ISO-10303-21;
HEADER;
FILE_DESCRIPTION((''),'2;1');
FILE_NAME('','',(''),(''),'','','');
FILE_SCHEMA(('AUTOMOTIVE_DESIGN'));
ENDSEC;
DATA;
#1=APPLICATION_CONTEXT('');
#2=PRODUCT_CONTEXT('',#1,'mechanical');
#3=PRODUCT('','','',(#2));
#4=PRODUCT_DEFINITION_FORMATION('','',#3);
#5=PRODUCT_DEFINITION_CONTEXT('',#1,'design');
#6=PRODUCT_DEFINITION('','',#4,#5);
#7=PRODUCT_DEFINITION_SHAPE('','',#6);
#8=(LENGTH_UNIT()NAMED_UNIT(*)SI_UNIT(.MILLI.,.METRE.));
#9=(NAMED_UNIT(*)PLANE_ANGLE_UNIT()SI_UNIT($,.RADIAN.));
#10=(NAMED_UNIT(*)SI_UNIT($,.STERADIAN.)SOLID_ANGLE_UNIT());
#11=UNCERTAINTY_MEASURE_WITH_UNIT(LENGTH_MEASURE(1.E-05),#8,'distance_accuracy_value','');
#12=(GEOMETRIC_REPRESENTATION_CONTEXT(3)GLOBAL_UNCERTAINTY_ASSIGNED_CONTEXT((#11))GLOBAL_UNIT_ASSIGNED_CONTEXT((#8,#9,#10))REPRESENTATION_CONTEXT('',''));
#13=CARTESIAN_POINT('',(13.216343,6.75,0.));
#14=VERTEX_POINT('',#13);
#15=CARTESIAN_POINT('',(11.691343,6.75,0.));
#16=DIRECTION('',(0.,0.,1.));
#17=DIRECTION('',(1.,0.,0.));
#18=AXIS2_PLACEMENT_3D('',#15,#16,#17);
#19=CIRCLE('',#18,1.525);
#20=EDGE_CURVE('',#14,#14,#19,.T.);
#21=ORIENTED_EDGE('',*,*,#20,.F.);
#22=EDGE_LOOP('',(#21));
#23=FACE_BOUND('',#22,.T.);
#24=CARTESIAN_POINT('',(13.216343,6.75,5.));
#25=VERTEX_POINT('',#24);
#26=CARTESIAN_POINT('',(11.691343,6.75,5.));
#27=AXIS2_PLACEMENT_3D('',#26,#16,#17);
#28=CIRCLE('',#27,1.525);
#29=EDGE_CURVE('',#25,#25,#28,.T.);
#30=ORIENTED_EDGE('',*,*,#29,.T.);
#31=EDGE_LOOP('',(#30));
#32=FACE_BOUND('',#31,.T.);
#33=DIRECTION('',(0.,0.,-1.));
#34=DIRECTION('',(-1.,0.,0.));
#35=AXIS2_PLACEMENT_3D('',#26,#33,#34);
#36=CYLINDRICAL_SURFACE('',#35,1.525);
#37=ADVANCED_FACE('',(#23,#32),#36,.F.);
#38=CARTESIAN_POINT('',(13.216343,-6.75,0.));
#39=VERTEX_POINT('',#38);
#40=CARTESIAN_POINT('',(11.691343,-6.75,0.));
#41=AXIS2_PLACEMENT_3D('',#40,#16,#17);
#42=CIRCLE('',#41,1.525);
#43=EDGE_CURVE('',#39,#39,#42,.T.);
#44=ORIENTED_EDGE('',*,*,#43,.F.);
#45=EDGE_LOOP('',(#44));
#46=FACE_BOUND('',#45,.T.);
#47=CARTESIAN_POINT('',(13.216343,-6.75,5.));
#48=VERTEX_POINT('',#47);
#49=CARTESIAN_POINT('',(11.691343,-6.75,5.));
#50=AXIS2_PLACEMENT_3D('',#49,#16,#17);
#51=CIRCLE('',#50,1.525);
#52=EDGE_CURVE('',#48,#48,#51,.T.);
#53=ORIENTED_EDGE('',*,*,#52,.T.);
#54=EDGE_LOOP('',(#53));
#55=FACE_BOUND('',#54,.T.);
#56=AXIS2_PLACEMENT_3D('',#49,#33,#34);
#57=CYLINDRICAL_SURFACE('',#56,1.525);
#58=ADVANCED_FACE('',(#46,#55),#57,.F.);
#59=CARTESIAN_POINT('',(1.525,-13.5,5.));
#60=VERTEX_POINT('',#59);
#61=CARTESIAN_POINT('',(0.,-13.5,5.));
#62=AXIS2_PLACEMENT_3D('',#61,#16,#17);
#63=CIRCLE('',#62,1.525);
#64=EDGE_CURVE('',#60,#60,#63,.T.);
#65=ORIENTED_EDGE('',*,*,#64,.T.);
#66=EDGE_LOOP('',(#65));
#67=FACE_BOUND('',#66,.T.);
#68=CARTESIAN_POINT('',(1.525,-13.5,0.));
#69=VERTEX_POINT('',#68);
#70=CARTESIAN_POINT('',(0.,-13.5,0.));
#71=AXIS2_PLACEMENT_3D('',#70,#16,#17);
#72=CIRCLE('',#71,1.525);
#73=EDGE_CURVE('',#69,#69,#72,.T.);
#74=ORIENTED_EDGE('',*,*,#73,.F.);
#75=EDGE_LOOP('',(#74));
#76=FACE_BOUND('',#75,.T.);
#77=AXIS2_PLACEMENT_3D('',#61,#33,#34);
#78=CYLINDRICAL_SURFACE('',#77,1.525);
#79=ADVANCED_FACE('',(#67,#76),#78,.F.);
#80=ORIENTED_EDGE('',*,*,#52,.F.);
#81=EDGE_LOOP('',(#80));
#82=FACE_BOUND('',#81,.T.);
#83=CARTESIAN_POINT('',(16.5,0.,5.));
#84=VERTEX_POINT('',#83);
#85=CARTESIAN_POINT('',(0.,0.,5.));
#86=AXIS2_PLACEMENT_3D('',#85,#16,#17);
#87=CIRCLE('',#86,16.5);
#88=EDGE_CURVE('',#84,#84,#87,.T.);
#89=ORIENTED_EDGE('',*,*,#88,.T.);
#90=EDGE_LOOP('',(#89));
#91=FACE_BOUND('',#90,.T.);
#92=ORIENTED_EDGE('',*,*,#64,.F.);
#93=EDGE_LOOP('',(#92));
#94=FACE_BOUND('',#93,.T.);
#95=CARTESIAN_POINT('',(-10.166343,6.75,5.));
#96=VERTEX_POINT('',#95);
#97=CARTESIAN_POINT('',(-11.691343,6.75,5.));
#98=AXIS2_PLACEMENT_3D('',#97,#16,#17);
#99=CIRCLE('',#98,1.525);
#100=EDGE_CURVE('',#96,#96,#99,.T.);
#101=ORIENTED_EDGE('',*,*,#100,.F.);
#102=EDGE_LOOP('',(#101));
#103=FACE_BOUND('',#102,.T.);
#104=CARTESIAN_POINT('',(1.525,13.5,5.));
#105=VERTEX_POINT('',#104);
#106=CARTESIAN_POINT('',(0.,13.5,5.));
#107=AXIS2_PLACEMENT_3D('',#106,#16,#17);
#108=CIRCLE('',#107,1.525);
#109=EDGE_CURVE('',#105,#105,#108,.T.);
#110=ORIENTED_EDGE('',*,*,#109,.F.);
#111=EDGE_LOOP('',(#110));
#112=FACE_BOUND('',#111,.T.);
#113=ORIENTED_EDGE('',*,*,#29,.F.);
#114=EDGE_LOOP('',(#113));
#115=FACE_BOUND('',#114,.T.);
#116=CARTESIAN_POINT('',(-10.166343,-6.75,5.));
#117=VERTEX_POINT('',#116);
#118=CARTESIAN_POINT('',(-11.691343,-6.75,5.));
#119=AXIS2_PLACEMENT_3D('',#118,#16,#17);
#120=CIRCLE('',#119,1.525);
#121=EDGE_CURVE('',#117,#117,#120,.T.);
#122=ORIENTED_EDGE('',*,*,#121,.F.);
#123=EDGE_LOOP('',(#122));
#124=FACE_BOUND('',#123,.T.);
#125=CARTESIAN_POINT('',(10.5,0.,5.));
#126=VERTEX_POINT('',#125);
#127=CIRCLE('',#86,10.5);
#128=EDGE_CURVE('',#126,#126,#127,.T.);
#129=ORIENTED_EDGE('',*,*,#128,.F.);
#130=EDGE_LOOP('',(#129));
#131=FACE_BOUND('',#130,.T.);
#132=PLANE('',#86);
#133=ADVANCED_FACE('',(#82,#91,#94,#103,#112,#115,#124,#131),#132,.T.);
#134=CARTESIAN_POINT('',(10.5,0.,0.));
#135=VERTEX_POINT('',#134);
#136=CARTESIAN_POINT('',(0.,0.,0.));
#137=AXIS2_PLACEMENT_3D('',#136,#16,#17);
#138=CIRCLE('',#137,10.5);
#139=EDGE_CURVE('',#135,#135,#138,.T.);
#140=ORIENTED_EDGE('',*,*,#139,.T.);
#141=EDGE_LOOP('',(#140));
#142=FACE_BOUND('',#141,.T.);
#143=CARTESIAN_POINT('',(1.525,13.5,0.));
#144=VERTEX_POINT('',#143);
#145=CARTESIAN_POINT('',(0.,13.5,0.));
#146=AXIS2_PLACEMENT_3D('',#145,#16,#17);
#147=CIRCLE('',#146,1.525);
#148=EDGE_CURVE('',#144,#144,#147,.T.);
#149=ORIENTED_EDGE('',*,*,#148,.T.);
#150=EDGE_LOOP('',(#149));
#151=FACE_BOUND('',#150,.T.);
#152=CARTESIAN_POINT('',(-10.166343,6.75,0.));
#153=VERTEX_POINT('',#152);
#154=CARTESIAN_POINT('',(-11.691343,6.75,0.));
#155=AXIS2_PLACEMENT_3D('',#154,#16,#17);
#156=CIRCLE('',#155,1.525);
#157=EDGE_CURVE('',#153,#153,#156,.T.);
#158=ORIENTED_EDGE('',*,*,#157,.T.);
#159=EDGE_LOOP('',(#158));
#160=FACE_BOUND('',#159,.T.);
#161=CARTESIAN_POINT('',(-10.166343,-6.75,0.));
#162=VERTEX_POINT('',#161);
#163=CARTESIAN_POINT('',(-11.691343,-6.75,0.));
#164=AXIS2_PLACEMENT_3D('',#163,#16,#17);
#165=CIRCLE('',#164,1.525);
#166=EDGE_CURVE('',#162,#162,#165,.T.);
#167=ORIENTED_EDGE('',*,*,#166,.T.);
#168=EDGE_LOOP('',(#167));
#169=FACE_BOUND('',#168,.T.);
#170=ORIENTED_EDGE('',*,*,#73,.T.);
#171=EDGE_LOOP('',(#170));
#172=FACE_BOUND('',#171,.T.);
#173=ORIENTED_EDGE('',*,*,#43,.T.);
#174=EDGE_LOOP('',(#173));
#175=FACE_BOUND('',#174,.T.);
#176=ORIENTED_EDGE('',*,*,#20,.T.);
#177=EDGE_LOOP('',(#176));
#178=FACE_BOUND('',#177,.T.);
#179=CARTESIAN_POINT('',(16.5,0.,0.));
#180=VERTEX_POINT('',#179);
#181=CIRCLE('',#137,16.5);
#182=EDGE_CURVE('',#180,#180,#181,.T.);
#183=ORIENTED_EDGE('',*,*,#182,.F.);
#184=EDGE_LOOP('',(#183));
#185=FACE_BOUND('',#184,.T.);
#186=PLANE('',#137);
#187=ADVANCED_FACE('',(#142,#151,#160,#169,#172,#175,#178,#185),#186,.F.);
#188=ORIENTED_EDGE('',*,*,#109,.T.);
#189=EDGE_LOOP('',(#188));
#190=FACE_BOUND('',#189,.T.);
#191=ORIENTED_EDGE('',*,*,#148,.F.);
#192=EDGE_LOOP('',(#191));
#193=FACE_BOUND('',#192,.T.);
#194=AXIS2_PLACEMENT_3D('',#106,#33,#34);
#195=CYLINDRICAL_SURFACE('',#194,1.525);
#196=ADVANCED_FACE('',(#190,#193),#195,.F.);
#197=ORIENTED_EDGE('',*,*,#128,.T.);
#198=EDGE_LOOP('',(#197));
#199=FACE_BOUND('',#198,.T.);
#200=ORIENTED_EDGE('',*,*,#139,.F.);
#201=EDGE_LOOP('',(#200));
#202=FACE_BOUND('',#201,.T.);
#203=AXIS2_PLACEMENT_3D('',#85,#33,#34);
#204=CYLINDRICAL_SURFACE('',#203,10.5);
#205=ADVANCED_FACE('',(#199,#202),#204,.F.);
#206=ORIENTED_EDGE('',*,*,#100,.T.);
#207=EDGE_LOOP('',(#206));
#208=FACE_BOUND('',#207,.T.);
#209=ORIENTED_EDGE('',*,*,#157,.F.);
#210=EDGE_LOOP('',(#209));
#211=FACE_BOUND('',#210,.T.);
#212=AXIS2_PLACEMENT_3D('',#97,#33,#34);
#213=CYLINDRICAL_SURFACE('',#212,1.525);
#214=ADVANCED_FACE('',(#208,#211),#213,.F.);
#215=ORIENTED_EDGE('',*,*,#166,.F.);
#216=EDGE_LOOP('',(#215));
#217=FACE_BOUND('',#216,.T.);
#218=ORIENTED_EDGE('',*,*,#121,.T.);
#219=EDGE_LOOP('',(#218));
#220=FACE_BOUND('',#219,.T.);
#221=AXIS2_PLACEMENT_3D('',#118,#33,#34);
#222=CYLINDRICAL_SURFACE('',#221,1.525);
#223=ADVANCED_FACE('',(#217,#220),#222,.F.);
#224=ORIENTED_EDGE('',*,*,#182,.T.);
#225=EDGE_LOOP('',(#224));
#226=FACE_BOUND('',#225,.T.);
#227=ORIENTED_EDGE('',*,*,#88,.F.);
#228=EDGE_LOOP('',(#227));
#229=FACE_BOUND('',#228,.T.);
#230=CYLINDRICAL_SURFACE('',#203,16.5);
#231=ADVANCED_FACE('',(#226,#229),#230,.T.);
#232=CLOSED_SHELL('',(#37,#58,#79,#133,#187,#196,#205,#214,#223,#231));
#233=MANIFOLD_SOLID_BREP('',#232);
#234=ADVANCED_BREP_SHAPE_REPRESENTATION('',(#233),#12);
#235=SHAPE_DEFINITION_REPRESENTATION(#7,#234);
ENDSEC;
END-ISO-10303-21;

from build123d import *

# Parameters (mm, degrees)
SKETCH_1_R      = 16.5
SKETCH_1_R_2    = 1.525
SKETCH_1_R_3    = 10.5
EXTRUDE_1_DEPTH = 5


with BuildPart() as part:
    # 草图1 → 凸台-拉伸1 (new body)
    with BuildSketch(Plane.XY):
        Circle(SKETCH_1_R)
        with Locations((0, 13.5)):
            Circle(SKETCH_1_R_2, mode=Mode.SUBTRACT)
        with Locations((11.691342951, 6.75)):
            Circle(SKETCH_1_R_2, mode=Mode.SUBTRACT)
        with Locations((11.691342951, -6.75)):
            Circle(SKETCH_1_R_2, mode=Mode.SUBTRACT)
        with Locations((0, -13.5)):
            Circle(SKETCH_1_R_2, mode=Mode.SUBTRACT)
        with Locations((-11.691342951, -6.75)):
            Circle(SKETCH_1_R_2, mode=Mode.SUBTRACT)
        with Locations((-11.691342951, 6.75)):
            Circle(SKETCH_1_R_2, mode=Mode.SUBTRACT)
        Circle(SKETCH_1_R_3, mode=Mode.SUBTRACT)
    extrude(amount=EXTRUDE_1_DEPTH)


solid = part.part
